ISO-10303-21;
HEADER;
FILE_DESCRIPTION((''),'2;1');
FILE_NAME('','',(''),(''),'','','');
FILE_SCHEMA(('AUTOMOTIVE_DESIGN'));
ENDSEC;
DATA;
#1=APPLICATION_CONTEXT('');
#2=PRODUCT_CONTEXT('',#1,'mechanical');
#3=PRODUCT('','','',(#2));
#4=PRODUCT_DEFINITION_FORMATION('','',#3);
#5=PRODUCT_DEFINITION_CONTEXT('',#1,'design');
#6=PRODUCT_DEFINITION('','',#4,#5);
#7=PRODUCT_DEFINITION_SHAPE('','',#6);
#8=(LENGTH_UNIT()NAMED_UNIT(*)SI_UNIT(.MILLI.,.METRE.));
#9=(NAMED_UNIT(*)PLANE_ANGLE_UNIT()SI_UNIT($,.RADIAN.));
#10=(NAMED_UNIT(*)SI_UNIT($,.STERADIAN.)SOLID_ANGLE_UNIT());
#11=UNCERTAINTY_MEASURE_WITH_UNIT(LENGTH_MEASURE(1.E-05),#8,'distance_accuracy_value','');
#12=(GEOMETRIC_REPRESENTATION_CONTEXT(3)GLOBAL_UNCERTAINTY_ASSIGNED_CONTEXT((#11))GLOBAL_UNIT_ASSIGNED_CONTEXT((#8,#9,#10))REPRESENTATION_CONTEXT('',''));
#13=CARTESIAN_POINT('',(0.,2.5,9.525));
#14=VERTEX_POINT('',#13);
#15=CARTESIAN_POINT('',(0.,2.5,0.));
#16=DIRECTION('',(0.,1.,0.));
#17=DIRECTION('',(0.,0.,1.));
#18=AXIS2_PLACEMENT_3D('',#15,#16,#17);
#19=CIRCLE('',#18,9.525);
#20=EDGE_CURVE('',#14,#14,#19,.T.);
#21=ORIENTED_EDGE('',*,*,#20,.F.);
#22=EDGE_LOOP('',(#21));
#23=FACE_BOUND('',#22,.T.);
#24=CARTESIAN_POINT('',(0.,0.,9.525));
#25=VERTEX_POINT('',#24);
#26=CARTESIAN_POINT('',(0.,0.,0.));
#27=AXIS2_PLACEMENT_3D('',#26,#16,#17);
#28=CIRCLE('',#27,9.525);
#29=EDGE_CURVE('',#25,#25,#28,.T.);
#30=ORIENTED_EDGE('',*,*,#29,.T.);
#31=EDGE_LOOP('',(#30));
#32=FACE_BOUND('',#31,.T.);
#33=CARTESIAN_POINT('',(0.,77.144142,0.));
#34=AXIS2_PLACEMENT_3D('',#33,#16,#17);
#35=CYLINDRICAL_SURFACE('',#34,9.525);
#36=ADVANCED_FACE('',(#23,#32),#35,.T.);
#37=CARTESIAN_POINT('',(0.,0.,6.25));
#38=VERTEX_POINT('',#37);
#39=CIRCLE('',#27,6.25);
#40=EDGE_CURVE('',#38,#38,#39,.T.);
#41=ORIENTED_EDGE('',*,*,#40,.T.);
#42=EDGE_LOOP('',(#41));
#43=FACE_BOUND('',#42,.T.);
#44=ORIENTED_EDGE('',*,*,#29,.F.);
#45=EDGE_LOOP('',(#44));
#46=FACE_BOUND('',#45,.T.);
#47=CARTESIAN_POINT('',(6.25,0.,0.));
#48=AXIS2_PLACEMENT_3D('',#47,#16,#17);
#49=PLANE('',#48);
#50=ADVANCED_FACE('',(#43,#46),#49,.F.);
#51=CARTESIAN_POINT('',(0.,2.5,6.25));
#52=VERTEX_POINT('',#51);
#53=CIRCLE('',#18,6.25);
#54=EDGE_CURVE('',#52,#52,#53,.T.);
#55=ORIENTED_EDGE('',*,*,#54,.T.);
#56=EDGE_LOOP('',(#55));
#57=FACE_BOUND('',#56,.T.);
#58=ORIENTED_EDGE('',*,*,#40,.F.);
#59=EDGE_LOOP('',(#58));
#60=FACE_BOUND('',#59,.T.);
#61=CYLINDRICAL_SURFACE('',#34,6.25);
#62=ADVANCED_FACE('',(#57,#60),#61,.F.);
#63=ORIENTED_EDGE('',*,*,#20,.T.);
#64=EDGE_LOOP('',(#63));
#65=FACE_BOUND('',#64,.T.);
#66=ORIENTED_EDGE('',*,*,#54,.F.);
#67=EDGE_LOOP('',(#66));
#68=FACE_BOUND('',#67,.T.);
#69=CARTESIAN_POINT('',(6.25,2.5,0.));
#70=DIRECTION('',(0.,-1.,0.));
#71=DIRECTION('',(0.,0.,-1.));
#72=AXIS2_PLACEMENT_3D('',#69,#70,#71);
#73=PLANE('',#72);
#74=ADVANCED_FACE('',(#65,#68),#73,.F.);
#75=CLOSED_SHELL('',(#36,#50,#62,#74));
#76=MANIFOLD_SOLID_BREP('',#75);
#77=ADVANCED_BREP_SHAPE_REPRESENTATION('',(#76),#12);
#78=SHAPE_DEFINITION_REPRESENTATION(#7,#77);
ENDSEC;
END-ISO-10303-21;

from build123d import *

# Parameters (mm, degrees)
SKETCH_1_W = 3.275
SKETCH_1_H = 2.5


with BuildPart() as part:
    # 草图1 → 旋转1 (revolve)
    with BuildSketch(Plane.XY, mode=Mode.PRIVATE) as revolve_1_sk:
        with Locations((7.8875, 1.25)):
            Rectangle(SKETCH_1_W, SKETCH_1_H)
    revolve(revolve_1_sk.sketch.rotate(Axis((0, 77.144142266, 0), (0, -1, 0)), 90), axis=Axis((0, 77.144142266, 0), (0, -1, 0)))  # turned: the seam where the file's is


solid = part.part
